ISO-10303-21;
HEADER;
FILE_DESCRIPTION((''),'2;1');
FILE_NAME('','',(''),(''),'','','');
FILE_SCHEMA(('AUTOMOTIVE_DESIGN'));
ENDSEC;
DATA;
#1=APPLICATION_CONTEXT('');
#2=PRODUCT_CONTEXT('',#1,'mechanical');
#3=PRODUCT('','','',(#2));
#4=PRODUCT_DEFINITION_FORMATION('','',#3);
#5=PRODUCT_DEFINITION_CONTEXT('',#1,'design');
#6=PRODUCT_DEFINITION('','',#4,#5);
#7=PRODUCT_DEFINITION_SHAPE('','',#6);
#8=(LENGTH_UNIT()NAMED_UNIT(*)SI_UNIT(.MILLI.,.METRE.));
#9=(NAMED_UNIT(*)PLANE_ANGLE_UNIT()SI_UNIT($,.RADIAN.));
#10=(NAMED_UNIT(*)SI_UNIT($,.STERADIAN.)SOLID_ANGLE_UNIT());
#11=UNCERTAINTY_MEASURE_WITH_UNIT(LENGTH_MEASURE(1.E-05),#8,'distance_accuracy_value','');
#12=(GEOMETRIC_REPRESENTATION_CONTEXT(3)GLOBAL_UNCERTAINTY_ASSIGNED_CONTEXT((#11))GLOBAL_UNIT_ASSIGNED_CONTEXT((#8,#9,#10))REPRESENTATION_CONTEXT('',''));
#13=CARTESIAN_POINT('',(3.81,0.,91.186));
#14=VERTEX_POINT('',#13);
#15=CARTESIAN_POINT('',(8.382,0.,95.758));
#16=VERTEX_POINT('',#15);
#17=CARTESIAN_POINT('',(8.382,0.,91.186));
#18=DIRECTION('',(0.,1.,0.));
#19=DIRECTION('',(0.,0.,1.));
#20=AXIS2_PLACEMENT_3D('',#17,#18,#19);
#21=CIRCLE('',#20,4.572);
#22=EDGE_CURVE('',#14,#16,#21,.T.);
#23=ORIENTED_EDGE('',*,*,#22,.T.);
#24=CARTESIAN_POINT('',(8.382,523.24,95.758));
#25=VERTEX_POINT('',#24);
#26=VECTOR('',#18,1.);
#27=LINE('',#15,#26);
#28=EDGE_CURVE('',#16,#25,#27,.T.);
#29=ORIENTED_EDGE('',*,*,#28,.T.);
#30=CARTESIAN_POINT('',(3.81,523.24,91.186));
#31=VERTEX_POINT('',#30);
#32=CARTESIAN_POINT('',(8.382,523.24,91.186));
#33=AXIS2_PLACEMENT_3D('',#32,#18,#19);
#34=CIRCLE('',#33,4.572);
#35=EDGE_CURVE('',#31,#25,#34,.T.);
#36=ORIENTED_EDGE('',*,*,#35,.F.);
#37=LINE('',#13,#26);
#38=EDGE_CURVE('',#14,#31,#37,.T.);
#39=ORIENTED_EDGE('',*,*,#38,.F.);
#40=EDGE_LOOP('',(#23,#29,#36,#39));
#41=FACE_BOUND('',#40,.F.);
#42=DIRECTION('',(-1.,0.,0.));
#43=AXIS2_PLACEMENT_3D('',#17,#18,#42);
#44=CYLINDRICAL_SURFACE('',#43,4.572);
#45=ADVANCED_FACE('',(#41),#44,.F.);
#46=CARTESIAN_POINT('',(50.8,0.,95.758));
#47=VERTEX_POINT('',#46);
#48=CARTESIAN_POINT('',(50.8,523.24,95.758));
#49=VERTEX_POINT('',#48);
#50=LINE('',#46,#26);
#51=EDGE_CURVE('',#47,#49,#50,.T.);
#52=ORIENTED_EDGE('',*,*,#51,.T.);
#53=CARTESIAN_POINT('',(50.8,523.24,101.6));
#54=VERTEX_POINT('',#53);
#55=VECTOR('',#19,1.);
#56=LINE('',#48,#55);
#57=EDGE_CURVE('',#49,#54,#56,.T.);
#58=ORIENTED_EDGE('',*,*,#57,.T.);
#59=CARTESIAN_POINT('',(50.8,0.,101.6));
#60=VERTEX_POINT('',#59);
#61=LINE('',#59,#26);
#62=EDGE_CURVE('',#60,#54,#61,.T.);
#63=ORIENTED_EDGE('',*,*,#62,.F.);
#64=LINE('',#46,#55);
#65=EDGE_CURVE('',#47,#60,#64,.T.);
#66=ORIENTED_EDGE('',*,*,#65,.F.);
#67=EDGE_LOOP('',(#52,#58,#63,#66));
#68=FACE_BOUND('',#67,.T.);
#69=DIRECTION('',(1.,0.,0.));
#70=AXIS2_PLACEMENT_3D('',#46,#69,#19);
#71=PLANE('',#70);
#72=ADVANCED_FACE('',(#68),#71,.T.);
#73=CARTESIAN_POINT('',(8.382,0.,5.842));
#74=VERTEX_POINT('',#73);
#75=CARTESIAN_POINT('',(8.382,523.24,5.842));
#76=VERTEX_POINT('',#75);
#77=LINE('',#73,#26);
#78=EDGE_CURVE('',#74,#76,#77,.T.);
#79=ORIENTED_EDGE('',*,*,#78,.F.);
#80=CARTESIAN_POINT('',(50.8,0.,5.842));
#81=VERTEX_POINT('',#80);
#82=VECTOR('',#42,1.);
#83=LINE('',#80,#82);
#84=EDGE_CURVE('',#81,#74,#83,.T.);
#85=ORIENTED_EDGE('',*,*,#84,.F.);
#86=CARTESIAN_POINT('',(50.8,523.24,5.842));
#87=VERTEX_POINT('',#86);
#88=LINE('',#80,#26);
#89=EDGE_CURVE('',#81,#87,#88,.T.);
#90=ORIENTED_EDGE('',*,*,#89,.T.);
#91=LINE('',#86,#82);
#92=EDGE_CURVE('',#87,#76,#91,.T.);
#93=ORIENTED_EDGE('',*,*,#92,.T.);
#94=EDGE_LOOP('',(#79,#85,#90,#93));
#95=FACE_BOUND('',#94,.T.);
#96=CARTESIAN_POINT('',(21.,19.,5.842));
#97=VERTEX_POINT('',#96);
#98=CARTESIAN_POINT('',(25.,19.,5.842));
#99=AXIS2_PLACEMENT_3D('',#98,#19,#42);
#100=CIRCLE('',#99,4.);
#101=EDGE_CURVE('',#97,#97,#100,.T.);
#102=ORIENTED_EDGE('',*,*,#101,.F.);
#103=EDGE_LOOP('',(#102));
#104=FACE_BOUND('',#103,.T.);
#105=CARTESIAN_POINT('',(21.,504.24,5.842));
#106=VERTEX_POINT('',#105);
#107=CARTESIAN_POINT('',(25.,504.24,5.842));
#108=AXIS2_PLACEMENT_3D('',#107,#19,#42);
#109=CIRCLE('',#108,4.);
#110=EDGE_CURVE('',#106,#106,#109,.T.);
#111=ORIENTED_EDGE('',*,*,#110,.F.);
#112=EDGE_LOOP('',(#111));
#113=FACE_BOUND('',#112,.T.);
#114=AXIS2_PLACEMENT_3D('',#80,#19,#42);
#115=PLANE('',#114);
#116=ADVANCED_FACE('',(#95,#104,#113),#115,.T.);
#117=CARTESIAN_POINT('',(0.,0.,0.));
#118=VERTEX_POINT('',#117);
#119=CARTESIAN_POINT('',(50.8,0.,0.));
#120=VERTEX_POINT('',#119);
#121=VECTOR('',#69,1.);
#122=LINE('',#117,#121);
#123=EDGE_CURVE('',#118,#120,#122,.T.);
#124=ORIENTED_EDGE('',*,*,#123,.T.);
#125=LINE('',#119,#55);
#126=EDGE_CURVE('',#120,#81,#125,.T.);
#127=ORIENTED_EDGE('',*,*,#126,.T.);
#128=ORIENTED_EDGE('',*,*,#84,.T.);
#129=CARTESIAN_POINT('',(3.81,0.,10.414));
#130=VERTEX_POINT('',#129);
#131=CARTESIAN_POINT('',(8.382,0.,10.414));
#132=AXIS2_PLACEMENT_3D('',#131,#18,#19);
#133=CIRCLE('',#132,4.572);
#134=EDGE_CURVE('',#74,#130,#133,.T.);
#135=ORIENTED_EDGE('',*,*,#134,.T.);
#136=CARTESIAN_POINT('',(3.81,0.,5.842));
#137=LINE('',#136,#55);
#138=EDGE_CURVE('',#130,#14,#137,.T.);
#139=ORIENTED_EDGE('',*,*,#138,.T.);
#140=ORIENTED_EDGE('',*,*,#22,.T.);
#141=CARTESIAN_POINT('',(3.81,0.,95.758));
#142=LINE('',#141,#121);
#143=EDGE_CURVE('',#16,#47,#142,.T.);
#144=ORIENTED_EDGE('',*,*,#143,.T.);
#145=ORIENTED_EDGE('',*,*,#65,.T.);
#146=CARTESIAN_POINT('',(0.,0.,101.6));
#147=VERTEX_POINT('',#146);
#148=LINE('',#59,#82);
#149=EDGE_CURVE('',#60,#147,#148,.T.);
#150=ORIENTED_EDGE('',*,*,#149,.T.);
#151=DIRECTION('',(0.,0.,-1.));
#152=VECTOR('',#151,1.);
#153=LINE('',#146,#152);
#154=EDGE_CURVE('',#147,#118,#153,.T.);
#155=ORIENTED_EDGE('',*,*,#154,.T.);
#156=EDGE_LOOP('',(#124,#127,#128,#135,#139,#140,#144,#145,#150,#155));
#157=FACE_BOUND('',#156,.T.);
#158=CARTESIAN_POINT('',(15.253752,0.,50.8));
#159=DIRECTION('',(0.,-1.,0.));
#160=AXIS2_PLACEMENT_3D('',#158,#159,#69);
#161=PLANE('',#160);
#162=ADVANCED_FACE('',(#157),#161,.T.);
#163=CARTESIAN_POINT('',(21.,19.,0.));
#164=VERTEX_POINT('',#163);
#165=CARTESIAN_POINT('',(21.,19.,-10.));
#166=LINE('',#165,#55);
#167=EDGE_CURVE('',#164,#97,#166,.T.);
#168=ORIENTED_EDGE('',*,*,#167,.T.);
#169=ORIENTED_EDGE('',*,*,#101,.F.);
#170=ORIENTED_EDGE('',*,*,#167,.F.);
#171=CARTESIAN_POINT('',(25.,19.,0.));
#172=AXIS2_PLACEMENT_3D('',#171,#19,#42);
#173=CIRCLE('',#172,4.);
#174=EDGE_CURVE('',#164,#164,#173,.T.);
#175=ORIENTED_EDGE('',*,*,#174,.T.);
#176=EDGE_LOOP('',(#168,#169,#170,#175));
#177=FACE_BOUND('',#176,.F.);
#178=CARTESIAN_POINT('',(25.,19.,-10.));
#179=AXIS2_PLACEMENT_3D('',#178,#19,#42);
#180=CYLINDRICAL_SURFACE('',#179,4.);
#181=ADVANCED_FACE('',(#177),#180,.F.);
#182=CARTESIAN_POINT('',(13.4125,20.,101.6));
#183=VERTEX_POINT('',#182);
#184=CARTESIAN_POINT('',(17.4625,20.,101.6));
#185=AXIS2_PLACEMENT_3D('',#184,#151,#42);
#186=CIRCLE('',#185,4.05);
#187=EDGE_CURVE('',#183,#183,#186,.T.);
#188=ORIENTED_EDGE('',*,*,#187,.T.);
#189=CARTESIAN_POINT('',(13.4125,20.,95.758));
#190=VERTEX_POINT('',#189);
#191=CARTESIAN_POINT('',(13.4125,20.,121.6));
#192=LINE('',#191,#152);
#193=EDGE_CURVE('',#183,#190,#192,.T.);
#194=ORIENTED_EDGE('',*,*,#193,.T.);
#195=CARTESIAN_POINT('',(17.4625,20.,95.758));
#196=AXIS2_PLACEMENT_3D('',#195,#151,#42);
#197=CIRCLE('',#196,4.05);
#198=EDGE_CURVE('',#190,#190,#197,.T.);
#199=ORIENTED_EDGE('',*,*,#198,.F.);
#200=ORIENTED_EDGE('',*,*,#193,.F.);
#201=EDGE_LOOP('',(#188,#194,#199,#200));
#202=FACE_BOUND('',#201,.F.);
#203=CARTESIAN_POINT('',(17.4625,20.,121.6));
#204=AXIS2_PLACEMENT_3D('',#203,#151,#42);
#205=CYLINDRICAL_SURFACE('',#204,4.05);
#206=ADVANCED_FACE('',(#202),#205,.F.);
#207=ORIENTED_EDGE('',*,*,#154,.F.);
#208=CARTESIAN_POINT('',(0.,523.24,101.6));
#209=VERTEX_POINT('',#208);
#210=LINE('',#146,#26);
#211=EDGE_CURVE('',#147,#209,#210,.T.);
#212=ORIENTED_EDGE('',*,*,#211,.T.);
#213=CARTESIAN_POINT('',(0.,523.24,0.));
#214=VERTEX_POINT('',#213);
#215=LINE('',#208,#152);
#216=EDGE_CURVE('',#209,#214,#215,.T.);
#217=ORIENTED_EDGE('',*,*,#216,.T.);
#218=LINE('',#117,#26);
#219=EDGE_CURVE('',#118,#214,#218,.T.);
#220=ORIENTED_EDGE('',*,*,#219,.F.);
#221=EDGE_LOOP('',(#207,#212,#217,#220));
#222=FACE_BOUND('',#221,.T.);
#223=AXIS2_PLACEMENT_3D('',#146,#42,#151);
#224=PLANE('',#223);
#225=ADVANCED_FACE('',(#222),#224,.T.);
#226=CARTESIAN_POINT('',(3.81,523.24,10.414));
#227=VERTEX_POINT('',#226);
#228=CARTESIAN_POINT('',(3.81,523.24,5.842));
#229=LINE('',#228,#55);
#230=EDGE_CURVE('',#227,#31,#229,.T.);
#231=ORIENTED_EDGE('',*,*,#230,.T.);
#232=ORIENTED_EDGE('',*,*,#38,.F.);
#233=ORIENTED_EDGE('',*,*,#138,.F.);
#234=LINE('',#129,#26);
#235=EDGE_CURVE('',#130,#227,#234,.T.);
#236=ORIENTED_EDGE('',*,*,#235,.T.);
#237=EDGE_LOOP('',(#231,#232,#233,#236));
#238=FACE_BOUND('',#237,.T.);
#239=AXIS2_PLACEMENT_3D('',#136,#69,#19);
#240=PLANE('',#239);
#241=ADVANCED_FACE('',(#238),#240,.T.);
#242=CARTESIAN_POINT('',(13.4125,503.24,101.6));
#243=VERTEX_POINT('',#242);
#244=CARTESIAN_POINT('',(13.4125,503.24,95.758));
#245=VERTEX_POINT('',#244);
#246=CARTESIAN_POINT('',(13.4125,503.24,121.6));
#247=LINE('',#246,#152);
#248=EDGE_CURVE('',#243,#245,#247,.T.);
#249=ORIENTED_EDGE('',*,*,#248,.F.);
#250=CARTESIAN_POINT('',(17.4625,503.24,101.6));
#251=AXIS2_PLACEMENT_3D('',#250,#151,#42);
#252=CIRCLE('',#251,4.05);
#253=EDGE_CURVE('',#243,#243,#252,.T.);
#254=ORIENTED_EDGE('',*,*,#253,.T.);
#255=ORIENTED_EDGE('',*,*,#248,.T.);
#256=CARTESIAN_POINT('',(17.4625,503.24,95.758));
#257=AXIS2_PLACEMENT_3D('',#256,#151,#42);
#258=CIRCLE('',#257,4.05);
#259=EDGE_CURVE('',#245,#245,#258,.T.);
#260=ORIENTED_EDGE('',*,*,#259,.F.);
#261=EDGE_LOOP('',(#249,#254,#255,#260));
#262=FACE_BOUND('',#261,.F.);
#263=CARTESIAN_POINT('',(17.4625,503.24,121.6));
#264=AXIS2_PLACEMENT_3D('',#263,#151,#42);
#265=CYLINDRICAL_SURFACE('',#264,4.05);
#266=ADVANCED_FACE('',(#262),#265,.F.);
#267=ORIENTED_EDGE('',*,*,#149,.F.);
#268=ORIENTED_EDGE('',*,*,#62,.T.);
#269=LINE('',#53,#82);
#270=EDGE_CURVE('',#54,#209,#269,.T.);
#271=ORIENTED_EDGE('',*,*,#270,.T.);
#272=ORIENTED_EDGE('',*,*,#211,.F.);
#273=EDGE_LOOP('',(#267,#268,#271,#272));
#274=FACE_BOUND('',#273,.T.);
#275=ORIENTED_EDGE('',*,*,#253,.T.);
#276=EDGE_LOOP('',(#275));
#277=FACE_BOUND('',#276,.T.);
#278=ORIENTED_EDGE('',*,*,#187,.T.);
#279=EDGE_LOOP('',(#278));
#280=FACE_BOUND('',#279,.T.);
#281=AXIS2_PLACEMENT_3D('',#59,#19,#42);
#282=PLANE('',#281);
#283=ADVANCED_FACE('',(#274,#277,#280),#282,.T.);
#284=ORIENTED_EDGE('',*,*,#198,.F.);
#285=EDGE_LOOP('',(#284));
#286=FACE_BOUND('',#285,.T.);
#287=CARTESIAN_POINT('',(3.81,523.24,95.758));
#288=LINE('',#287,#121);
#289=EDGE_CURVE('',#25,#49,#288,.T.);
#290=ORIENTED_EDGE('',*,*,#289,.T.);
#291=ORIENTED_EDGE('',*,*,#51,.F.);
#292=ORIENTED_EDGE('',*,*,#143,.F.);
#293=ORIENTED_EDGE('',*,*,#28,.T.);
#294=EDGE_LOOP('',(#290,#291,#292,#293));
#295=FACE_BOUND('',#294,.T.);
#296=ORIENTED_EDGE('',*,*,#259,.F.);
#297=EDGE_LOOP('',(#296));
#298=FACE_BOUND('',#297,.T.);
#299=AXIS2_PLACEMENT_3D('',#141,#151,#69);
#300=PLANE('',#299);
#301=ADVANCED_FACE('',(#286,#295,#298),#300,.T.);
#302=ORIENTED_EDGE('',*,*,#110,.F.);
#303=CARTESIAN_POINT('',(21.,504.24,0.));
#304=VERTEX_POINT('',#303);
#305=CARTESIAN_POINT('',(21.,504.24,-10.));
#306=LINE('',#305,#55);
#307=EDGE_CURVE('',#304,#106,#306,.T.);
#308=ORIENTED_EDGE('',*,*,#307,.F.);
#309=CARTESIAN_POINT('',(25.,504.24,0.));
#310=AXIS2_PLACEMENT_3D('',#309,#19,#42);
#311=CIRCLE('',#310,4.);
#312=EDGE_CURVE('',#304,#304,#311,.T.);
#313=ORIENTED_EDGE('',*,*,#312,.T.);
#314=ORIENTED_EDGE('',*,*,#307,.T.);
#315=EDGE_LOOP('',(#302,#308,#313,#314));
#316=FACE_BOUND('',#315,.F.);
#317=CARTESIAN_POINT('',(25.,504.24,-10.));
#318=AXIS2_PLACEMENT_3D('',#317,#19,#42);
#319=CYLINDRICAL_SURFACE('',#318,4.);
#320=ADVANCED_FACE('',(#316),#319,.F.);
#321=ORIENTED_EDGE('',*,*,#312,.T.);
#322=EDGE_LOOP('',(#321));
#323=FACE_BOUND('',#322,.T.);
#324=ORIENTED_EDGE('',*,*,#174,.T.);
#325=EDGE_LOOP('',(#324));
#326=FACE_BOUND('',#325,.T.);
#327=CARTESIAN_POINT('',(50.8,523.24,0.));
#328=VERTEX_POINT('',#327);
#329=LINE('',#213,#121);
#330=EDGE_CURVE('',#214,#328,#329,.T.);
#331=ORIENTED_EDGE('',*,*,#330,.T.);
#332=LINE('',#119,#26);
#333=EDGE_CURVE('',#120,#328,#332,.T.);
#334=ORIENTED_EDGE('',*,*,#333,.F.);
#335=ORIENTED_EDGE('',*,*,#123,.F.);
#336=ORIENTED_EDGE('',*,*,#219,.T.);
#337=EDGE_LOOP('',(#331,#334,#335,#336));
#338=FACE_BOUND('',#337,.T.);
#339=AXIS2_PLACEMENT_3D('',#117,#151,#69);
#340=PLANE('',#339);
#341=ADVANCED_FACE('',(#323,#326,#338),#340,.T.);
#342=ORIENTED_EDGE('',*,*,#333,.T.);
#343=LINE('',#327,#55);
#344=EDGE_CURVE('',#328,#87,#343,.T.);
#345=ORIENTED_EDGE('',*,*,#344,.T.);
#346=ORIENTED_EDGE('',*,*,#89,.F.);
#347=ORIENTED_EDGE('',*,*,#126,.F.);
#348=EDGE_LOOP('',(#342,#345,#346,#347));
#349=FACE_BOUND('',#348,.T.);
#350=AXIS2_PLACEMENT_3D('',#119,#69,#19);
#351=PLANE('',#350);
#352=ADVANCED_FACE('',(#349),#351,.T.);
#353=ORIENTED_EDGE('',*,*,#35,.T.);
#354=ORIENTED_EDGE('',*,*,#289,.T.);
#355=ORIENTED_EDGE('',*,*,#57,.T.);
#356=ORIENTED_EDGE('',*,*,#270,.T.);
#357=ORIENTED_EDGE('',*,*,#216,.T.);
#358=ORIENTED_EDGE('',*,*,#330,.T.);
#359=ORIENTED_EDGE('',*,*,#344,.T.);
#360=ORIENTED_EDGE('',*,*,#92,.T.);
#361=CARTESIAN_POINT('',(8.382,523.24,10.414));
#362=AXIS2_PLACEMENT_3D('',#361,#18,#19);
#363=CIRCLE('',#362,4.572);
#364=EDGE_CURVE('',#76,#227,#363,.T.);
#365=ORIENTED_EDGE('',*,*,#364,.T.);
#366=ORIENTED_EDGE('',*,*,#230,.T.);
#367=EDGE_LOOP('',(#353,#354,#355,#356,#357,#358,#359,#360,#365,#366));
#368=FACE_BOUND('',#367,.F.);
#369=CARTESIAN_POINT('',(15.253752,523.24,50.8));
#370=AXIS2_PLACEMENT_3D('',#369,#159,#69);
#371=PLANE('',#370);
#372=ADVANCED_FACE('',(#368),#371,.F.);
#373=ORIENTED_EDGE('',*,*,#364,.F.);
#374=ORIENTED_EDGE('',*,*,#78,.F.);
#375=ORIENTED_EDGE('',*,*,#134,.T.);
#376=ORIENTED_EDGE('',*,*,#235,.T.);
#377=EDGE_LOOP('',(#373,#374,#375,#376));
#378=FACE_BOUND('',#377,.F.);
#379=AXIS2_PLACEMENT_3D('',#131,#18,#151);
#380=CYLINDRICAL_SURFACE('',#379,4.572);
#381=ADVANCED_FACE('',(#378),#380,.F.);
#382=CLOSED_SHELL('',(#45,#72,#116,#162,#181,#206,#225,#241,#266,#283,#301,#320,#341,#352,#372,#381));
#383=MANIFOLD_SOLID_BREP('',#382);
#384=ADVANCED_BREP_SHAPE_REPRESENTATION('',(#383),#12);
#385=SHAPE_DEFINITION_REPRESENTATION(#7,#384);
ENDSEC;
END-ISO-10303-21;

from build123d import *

# Parameters (mm, degrees)
F1_DEPTH = 523.24
F2_R     = 4.572
F4_D     = 8.1
F4_DEPTH = 20
F6_D     = 8
F6_DEPTH = 10


with BuildPart() as f1:
    # F0 (on Front) → F1 (new body)
    with BuildSketch(Plane.XZ):
        Polygon((0, 101.6), (0, 0), (50.8, 0), (50.8, 5.842), (3.81, 5.842), (3.81, 95.758), (50.8, 95.758), (50.8, 101.6), align=None)
    extrude(amount=-F1_DEPTH)

    # F2
    f2_edges = [f1.edges().sort_by_distance(p)[0] for p in [
        (3.81, 261.62, 5.842),
        (3.81, 261.62, 95.758),
    ]]
    fillet(f2_edges, radius=F2_R)

    # F4
    with Locations(Plane.XY.offset(101.6)):
        with Locations((17.4625, 503.24), (17.4625, 20)):
            Hole(F4_D / 2, depth=F4_DEPTH)

    # F6
    with Locations(Plane(origin=(0, 0, 0), x_dir=(1, 0, 0), z_dir=(0, 0, -1))):
        with Locations((25, -19), (25, -504.24)):
            Hole(F6_D / 2, depth=F6_DEPTH)


solid = f1.part
